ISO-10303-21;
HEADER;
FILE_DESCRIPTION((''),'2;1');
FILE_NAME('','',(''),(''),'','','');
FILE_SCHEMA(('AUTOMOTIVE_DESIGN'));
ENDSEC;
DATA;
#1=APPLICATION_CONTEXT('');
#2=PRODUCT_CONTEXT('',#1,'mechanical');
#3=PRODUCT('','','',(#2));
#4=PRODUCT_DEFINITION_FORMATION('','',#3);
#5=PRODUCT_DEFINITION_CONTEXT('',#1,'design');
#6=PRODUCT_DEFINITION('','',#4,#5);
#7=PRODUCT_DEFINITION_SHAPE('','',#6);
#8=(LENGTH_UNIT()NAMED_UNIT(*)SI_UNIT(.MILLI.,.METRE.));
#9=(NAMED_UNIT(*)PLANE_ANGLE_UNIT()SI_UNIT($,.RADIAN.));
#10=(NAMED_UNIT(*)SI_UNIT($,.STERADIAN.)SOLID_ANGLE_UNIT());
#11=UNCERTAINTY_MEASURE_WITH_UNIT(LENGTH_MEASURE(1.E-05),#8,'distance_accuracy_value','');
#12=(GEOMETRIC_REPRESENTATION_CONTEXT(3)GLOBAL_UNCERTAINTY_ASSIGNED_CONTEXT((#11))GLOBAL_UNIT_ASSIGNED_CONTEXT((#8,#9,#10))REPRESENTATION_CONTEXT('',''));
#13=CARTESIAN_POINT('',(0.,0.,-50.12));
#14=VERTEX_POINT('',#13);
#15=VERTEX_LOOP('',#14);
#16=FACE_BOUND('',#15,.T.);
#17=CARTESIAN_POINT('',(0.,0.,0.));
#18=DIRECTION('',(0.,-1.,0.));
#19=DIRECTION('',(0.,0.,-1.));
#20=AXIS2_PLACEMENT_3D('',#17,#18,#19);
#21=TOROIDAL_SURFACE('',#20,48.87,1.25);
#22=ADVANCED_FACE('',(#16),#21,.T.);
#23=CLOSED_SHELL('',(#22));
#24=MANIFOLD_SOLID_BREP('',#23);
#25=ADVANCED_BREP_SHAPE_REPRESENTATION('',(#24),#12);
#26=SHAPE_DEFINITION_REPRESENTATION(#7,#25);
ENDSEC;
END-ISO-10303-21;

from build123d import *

# Parameters (mm, degrees)
SKETCH1_R = 1.25


with BuildPart() as part:
    # Sketch1 → Revolve1 (revolve)
    with BuildSketch(Plane.XY, mode=Mode.PRIVATE) as revolve1_sk:
        with Locations((-48.87, 0)):
            Circle(SKETCH1_R)
    revolve(revolve1_sk.sketch.rotate(Axis((0, 0, 0), (0, 1, 0)), 270), axis=Axis((0, 0, 0), (0, 1, 0)))


solid = part.part
